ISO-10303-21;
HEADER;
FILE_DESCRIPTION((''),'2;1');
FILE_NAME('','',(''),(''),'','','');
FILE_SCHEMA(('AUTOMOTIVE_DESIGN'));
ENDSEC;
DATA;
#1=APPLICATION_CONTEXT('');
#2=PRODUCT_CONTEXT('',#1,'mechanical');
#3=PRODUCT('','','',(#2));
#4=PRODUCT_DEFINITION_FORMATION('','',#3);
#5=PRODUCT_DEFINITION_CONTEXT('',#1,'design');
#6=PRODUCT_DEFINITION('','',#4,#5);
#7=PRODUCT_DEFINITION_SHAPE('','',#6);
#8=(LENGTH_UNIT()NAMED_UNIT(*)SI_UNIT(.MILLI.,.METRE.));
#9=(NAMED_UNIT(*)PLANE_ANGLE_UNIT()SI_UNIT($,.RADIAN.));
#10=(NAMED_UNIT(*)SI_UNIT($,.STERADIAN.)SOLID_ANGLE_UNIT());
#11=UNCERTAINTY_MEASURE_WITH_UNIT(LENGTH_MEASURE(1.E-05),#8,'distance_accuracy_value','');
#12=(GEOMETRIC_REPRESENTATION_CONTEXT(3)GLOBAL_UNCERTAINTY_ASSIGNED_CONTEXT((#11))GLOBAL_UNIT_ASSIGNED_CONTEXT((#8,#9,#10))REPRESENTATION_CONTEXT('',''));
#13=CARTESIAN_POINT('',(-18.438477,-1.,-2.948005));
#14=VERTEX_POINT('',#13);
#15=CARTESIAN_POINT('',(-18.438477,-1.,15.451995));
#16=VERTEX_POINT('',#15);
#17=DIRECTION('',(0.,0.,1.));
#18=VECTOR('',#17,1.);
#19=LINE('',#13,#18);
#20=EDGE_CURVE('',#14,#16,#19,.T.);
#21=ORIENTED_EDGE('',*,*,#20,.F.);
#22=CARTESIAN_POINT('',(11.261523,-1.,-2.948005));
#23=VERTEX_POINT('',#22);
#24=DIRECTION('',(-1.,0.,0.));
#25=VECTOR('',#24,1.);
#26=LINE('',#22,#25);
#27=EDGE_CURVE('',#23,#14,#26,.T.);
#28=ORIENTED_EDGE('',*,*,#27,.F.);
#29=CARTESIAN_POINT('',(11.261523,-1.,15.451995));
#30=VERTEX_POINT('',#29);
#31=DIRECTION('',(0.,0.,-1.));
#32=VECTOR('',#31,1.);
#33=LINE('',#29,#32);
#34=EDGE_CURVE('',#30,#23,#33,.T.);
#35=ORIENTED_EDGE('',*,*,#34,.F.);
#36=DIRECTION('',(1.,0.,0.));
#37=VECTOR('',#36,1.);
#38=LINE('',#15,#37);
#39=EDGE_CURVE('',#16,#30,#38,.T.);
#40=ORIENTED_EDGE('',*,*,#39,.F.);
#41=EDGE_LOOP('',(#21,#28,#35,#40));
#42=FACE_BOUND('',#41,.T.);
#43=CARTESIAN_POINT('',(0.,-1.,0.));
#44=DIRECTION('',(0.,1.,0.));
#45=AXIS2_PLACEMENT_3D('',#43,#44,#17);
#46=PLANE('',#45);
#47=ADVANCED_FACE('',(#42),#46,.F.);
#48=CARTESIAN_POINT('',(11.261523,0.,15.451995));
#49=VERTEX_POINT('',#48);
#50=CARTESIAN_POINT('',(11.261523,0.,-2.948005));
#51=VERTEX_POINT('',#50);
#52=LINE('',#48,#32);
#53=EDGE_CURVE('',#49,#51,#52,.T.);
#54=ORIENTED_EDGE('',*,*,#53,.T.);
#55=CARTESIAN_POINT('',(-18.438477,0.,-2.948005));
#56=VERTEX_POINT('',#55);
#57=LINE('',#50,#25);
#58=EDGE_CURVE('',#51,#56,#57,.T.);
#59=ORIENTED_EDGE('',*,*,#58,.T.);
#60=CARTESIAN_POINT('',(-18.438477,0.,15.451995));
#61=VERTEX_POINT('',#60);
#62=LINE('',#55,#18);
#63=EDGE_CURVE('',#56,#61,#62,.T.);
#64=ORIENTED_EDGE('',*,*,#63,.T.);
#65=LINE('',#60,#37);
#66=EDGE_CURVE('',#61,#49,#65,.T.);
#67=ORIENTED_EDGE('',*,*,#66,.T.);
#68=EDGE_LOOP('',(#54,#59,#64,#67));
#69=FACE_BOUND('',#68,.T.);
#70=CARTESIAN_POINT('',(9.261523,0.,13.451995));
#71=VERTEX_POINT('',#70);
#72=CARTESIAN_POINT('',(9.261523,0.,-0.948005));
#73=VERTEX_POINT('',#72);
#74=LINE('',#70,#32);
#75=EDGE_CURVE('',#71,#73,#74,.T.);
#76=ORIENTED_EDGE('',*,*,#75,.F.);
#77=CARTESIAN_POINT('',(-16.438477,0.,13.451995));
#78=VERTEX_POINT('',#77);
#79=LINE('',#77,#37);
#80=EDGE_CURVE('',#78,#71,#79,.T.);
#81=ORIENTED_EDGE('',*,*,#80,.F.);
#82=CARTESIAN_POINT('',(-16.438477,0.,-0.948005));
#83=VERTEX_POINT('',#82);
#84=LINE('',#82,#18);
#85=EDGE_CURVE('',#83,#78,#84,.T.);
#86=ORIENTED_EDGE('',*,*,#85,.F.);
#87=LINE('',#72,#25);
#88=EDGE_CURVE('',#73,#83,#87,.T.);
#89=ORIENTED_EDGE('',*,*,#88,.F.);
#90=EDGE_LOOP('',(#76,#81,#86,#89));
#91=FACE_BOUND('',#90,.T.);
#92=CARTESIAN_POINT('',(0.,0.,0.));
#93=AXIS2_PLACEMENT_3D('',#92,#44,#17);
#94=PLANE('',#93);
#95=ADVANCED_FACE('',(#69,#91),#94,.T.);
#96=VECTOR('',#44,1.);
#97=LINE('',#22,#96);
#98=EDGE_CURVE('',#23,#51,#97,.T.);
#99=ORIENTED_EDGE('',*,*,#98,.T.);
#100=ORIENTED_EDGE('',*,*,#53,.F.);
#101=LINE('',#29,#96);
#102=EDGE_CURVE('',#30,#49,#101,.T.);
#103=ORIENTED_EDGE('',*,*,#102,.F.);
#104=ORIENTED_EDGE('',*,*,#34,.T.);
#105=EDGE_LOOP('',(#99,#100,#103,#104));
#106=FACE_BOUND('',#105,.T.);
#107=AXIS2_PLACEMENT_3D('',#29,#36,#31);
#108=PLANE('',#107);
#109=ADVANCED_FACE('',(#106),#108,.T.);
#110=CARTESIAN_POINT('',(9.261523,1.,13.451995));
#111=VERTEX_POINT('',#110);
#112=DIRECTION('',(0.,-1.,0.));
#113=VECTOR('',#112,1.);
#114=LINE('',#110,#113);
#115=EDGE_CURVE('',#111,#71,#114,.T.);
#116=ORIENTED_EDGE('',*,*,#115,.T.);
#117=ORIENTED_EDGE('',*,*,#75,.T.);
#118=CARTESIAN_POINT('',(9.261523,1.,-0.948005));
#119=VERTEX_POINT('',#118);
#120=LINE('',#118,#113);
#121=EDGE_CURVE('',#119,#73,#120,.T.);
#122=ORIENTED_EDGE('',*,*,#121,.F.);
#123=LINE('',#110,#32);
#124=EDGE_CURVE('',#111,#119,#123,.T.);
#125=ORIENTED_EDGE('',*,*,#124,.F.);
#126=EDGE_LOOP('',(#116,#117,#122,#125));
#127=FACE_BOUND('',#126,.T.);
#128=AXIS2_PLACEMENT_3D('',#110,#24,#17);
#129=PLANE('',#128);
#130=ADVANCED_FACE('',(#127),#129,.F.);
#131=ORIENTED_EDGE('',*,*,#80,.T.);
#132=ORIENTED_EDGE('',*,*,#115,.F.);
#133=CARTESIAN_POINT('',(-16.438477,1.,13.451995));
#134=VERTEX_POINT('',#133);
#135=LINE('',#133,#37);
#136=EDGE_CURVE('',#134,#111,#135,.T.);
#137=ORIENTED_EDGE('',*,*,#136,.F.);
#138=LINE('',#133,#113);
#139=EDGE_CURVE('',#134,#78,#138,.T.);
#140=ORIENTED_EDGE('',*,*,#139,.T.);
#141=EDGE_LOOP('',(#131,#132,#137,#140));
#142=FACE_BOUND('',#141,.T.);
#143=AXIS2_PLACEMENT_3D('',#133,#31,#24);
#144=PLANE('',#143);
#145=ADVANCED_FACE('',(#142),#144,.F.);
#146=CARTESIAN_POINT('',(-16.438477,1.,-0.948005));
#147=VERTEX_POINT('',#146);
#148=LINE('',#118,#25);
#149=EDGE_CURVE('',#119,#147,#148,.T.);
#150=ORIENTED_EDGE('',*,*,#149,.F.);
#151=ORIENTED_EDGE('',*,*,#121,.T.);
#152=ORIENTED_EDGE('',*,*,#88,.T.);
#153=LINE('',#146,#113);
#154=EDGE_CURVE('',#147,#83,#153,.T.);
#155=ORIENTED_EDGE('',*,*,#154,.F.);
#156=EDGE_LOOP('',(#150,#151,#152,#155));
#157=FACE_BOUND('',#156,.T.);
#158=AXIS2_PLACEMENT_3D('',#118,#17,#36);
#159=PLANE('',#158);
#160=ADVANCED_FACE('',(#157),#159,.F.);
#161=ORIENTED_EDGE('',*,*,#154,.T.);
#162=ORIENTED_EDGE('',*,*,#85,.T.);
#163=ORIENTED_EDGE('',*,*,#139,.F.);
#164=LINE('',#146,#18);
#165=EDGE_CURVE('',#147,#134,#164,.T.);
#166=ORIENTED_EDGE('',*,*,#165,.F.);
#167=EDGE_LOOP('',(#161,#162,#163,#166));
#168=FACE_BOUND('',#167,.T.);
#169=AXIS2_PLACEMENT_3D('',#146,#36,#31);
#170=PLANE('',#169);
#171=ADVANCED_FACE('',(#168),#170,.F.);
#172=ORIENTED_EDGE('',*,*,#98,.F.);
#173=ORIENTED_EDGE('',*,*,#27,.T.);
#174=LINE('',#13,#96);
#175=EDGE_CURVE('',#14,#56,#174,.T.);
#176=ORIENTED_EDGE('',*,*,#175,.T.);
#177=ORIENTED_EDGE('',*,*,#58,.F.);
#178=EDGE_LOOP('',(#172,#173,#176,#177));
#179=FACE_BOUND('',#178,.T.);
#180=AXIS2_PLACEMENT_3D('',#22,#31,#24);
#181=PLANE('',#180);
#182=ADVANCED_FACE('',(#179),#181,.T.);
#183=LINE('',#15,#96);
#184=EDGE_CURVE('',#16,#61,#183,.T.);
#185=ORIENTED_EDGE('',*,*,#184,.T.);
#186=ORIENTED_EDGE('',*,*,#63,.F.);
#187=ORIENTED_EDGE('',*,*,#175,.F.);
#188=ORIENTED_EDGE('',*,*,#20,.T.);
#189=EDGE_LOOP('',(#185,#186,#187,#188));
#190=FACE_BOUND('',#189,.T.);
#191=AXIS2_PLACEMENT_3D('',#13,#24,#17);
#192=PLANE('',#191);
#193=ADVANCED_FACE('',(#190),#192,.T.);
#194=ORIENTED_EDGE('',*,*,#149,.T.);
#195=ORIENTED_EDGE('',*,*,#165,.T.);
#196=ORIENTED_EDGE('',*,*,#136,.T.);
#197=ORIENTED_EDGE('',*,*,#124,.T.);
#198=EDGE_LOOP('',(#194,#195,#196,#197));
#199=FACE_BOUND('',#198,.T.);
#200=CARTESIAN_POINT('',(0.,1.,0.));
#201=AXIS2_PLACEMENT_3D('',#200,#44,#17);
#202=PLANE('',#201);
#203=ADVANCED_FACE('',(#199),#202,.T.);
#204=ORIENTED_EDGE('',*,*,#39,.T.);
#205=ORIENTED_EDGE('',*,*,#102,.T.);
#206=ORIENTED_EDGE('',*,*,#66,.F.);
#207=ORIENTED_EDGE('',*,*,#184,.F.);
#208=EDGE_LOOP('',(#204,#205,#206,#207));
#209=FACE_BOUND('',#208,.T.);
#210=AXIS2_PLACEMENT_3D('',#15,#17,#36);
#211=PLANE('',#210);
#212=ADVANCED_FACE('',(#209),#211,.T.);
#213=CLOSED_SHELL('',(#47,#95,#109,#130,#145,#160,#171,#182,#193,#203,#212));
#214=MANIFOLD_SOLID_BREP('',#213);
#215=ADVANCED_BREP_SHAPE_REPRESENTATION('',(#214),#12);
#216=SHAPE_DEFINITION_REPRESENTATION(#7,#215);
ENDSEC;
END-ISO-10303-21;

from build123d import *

# Parameters (mm, degrees)
SKETCH1_W           = 29.7
SKETCH1_H           = 18.4
BOSS_EXTRUDE1_DEPTH = 1
SKETCH1_3_W         = 25.7
SKETCH1_3_H         = 14.4
BOSS_EXTRUDE2_DEPTH = 1


with BuildPart() as part:
    # Sketch1 → Boss-Extrude1 (new body)
    with BuildSketch(Plane(origin=(0, 0, 0), x_dir=(1, 0, 0), z_dir=(0, 1, 0))):
        with Locations((-3.58847677, -6.251994981)):
            Rectangle(SKETCH1_W, SKETCH1_H)
    extrude(amount=-BOSS_EXTRUDE1_DEPTH)

    # Sketch1<3> → Boss-Extrude2 (add)
    with BuildSketch(Plane(origin=(0, 0, 0), x_dir=(1, 0, 0), z_dir=(0, 1, 0))):
        with Locations((-3.58847677, -6.251994981)):
            Rectangle(SKETCH1_3_W, SKETCH1_3_H)
    extrude(amount=BOSS_EXTRUDE2_DEPTH)


solid = part.part
